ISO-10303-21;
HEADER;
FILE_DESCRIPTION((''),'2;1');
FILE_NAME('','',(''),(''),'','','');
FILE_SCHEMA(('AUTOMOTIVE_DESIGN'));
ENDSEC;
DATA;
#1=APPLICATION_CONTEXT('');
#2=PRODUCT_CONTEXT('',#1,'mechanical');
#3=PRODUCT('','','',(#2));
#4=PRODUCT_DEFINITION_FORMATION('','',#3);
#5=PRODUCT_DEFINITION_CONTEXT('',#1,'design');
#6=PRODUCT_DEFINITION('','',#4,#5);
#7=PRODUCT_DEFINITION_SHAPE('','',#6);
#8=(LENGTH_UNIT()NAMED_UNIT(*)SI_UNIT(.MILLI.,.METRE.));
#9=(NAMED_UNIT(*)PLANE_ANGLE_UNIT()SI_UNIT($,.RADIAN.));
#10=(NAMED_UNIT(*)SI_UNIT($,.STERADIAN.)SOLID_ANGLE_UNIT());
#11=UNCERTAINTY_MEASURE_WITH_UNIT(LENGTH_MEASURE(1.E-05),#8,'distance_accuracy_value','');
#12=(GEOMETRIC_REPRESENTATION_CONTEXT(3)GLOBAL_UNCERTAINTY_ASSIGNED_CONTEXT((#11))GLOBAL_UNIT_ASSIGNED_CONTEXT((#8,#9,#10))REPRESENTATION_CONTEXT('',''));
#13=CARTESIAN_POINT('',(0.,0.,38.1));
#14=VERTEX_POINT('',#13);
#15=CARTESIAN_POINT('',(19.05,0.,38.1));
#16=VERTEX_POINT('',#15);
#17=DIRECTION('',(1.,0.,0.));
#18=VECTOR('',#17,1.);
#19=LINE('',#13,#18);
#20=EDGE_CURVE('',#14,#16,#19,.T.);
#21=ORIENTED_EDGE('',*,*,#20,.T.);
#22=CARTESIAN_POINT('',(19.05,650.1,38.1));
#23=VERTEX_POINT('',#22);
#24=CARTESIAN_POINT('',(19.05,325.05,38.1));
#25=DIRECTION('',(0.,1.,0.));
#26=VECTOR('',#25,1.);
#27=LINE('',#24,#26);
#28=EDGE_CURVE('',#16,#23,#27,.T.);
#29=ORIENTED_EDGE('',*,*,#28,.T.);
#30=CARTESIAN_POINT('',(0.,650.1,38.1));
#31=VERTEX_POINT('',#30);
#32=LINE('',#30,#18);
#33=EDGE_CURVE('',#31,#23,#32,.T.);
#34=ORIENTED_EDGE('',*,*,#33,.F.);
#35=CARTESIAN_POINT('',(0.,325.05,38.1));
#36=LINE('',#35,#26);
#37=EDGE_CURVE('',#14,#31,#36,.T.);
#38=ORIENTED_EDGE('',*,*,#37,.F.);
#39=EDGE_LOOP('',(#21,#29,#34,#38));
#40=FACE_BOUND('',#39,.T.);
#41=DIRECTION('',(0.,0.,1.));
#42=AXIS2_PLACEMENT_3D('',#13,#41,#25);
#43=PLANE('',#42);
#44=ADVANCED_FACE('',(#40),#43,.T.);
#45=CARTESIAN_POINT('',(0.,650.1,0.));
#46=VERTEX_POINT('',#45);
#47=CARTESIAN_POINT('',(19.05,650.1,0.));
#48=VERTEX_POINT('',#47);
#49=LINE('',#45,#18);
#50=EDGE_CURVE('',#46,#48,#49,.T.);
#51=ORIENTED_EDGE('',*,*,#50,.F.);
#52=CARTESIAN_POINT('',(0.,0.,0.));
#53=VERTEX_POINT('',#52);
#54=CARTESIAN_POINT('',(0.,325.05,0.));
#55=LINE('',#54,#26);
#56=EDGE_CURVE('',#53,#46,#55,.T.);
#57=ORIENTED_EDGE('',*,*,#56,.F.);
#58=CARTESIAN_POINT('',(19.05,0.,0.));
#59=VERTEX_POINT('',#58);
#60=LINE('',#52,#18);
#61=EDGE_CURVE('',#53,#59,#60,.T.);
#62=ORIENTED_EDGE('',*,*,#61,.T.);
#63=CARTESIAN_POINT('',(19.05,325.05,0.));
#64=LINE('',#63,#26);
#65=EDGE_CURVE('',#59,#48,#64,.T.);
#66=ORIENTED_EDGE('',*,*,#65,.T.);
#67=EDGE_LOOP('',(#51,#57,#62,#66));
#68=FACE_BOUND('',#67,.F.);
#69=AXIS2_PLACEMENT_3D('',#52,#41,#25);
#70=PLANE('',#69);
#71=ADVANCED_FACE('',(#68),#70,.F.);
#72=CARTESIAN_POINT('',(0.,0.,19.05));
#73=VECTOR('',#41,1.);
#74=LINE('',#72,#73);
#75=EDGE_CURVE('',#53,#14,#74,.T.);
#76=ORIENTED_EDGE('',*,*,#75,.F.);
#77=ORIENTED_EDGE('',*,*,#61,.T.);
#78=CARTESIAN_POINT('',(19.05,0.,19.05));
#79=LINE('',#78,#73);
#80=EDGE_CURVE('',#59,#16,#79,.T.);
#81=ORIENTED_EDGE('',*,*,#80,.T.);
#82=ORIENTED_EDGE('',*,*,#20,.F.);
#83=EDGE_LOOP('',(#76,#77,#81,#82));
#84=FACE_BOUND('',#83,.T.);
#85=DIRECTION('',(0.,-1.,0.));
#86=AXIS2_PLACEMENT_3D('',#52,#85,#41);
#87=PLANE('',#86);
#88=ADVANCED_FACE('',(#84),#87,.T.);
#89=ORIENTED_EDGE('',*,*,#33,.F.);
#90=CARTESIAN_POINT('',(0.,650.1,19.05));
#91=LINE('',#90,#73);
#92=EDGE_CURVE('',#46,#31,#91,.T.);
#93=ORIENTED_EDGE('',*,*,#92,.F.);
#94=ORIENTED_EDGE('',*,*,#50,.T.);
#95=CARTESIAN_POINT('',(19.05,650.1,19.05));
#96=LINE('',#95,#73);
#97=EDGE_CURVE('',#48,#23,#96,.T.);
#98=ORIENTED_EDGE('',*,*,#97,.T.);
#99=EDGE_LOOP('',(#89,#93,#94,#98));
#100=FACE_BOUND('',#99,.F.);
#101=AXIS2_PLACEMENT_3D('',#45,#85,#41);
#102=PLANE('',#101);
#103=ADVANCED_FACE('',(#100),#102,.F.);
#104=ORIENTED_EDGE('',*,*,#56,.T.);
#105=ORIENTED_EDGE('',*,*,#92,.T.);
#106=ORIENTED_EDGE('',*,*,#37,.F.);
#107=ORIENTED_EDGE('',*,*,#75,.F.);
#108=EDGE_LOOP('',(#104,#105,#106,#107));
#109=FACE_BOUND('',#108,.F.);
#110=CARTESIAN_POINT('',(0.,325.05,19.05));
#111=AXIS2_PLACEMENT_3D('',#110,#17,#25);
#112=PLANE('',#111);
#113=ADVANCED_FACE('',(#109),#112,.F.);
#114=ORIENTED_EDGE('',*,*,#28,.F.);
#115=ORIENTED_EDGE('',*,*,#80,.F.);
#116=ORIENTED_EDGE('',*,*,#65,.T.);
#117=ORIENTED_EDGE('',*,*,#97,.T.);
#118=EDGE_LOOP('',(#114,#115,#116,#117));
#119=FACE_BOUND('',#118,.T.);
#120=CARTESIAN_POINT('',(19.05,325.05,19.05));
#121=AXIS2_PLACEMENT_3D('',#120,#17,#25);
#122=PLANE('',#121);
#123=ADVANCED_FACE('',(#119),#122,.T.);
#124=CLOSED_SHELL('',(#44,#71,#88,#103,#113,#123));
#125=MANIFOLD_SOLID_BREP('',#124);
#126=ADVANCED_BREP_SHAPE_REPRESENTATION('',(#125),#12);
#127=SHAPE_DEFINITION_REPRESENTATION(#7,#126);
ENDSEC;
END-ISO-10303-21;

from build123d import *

# Parameters (mm, degrees)
SKETCH_W  = 650.1
SKETCH_H  = 38.1
PAD_DEPTH = 19.05


with BuildPart() as part:
    # Sketch → Pad (new body)
    with BuildSketch(Plane.YZ):
        with Locations((325.05, 19.05)):
            Rectangle(SKETCH_W, SKETCH_H)
    extrude(amount=PAD_DEPTH)


solid = part.part
